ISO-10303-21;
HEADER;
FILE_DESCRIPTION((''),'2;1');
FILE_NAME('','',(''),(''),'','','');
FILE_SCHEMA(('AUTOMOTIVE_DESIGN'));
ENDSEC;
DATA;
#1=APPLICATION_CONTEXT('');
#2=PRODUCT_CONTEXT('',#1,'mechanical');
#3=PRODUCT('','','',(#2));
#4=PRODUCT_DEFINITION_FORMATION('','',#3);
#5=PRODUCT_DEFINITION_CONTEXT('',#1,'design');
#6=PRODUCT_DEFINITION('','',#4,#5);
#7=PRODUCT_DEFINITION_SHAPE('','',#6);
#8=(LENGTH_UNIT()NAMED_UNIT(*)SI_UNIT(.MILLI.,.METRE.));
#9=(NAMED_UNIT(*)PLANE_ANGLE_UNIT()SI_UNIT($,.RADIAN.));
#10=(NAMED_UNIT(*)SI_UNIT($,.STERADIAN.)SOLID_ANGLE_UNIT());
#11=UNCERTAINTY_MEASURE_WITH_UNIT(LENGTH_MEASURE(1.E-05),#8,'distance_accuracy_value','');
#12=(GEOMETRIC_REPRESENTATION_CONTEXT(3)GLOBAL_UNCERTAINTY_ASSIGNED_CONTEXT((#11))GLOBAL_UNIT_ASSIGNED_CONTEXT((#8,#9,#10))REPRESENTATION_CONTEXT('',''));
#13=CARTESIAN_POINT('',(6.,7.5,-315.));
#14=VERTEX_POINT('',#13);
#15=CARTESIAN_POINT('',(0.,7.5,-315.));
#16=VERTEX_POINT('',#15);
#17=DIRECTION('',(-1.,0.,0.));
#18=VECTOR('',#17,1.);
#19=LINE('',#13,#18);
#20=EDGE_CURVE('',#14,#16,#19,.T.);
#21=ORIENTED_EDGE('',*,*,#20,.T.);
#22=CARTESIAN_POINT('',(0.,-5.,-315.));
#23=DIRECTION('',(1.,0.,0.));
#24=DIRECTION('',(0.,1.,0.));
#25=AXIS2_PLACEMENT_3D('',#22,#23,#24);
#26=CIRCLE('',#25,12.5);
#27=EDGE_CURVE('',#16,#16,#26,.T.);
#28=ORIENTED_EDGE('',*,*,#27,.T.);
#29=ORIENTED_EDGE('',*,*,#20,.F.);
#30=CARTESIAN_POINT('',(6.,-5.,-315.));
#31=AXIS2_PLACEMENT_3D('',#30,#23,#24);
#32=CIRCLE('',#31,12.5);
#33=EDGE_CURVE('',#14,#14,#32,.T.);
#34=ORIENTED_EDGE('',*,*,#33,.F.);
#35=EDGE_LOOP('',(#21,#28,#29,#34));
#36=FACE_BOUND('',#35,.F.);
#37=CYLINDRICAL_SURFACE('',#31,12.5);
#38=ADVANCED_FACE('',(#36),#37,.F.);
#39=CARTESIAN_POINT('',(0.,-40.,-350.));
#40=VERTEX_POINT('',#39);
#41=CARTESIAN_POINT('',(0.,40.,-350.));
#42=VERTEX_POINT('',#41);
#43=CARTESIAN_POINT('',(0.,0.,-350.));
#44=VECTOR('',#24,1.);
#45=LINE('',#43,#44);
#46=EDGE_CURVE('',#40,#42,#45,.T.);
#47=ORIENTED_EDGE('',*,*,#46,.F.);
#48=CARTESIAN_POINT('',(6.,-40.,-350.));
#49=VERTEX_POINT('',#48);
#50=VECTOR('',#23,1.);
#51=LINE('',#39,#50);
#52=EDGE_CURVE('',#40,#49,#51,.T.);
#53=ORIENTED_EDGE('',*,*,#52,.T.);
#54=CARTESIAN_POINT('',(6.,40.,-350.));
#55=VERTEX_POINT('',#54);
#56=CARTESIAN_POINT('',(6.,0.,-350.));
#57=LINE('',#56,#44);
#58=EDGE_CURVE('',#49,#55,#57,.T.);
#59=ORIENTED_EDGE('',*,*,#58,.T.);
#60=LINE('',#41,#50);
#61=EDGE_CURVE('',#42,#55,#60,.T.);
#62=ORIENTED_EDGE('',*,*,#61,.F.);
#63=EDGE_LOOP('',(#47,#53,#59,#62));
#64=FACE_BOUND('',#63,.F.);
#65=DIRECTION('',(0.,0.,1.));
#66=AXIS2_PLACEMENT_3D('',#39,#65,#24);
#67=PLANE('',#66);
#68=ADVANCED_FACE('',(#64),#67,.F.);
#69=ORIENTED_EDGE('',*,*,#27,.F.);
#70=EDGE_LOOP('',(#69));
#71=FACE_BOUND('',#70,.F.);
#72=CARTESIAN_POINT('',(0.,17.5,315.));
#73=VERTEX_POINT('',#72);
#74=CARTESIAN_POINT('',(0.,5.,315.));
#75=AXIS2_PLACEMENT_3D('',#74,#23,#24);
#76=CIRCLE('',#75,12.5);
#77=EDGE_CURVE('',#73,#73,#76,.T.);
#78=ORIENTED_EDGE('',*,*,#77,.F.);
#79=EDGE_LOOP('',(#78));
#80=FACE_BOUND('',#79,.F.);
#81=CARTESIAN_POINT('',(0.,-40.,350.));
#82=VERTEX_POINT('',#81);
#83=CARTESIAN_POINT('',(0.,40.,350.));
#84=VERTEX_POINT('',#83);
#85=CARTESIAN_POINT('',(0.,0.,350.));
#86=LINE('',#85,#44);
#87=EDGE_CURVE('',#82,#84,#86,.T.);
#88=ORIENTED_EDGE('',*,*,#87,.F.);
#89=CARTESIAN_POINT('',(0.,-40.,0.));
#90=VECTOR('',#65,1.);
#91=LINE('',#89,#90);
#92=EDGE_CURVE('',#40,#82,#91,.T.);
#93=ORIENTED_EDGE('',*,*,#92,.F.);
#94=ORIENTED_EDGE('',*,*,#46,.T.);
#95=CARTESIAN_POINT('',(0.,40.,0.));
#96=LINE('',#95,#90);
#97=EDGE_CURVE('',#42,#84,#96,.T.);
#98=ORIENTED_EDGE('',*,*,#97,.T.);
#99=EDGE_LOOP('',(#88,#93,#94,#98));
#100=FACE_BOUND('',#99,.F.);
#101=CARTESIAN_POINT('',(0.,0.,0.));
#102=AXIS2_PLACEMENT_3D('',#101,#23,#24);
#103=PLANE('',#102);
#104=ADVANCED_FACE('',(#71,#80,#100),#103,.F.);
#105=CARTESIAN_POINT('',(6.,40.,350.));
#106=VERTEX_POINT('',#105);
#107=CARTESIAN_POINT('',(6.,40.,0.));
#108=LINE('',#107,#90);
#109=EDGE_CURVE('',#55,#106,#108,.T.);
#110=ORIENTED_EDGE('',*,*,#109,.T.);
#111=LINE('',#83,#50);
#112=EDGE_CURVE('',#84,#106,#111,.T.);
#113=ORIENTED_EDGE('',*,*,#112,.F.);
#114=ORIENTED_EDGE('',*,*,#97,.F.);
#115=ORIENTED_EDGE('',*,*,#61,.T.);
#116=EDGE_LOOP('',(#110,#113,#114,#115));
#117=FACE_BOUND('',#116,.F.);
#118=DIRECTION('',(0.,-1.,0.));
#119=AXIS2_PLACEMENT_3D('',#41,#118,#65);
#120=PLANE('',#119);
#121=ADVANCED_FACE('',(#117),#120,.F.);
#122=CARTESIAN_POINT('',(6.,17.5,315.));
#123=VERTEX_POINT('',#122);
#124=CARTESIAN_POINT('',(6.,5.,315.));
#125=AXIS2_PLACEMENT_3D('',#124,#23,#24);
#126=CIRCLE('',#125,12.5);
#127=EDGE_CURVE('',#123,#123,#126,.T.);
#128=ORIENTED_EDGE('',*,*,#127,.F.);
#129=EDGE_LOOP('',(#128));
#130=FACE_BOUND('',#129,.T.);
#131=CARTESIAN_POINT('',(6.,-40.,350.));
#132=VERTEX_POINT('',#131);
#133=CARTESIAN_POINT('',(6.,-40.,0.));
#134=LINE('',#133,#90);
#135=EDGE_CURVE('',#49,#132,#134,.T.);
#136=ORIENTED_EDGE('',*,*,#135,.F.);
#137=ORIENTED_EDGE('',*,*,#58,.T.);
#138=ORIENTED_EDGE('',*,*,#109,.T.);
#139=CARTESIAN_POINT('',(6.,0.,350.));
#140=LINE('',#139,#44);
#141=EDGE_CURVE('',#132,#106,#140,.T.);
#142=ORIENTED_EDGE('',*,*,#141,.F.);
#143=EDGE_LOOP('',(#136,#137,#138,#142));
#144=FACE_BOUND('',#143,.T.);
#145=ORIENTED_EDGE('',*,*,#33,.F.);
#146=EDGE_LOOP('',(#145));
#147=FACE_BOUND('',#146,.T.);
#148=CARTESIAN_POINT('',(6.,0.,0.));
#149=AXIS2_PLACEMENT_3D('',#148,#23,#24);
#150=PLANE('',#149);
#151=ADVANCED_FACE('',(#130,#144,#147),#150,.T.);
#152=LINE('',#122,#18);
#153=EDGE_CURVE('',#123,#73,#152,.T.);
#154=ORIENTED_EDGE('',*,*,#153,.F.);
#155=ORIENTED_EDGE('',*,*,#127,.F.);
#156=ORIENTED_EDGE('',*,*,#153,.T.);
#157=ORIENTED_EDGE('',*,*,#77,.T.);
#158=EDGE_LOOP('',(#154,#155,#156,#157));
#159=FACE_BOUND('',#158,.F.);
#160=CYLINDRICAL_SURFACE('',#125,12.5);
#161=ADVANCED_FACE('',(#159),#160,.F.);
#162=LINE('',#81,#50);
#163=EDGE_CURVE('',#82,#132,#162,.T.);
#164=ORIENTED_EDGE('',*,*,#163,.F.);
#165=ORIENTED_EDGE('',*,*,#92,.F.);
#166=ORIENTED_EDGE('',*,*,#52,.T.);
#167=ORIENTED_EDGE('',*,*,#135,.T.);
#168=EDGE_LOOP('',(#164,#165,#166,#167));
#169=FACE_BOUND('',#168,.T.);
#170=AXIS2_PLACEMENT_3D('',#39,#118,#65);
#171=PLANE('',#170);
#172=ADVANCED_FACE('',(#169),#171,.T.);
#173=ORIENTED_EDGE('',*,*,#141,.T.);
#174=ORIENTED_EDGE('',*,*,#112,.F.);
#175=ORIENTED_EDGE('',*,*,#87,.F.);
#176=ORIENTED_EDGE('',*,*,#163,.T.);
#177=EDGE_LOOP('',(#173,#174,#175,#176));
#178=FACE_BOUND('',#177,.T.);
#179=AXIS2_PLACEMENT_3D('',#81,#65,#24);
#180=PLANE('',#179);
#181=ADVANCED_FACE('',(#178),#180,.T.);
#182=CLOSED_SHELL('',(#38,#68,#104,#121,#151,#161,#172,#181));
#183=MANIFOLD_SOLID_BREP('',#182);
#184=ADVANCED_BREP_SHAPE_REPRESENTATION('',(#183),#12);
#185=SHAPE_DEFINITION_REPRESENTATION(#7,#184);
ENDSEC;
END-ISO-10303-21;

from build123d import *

# Parameters (mm, degrees)
F0_W     = 80
F0_H     = 700
F1_DEPTH = 6
F2_R     = 12.5
F3_DEPTH = 25


with BuildPart() as f1:
    # F0 (on Right) → F1 (new body)
    with BuildSketch(Plane.YZ):
        Rectangle(F0_W, F0_H)
    extrude(amount=F1_DEPTH)

    # F2 (on face) → F3 (cut)
    with BuildSketch(Plane.YZ.offset(6)):
        with Locations((5, 315)):
            Circle(F2_R)
        with Locations((-5, -315)):
            Circle(F2_R)
    extrude(amount=-F3_DEPTH, mode=Mode.SUBTRACT)


solid = f1.part
